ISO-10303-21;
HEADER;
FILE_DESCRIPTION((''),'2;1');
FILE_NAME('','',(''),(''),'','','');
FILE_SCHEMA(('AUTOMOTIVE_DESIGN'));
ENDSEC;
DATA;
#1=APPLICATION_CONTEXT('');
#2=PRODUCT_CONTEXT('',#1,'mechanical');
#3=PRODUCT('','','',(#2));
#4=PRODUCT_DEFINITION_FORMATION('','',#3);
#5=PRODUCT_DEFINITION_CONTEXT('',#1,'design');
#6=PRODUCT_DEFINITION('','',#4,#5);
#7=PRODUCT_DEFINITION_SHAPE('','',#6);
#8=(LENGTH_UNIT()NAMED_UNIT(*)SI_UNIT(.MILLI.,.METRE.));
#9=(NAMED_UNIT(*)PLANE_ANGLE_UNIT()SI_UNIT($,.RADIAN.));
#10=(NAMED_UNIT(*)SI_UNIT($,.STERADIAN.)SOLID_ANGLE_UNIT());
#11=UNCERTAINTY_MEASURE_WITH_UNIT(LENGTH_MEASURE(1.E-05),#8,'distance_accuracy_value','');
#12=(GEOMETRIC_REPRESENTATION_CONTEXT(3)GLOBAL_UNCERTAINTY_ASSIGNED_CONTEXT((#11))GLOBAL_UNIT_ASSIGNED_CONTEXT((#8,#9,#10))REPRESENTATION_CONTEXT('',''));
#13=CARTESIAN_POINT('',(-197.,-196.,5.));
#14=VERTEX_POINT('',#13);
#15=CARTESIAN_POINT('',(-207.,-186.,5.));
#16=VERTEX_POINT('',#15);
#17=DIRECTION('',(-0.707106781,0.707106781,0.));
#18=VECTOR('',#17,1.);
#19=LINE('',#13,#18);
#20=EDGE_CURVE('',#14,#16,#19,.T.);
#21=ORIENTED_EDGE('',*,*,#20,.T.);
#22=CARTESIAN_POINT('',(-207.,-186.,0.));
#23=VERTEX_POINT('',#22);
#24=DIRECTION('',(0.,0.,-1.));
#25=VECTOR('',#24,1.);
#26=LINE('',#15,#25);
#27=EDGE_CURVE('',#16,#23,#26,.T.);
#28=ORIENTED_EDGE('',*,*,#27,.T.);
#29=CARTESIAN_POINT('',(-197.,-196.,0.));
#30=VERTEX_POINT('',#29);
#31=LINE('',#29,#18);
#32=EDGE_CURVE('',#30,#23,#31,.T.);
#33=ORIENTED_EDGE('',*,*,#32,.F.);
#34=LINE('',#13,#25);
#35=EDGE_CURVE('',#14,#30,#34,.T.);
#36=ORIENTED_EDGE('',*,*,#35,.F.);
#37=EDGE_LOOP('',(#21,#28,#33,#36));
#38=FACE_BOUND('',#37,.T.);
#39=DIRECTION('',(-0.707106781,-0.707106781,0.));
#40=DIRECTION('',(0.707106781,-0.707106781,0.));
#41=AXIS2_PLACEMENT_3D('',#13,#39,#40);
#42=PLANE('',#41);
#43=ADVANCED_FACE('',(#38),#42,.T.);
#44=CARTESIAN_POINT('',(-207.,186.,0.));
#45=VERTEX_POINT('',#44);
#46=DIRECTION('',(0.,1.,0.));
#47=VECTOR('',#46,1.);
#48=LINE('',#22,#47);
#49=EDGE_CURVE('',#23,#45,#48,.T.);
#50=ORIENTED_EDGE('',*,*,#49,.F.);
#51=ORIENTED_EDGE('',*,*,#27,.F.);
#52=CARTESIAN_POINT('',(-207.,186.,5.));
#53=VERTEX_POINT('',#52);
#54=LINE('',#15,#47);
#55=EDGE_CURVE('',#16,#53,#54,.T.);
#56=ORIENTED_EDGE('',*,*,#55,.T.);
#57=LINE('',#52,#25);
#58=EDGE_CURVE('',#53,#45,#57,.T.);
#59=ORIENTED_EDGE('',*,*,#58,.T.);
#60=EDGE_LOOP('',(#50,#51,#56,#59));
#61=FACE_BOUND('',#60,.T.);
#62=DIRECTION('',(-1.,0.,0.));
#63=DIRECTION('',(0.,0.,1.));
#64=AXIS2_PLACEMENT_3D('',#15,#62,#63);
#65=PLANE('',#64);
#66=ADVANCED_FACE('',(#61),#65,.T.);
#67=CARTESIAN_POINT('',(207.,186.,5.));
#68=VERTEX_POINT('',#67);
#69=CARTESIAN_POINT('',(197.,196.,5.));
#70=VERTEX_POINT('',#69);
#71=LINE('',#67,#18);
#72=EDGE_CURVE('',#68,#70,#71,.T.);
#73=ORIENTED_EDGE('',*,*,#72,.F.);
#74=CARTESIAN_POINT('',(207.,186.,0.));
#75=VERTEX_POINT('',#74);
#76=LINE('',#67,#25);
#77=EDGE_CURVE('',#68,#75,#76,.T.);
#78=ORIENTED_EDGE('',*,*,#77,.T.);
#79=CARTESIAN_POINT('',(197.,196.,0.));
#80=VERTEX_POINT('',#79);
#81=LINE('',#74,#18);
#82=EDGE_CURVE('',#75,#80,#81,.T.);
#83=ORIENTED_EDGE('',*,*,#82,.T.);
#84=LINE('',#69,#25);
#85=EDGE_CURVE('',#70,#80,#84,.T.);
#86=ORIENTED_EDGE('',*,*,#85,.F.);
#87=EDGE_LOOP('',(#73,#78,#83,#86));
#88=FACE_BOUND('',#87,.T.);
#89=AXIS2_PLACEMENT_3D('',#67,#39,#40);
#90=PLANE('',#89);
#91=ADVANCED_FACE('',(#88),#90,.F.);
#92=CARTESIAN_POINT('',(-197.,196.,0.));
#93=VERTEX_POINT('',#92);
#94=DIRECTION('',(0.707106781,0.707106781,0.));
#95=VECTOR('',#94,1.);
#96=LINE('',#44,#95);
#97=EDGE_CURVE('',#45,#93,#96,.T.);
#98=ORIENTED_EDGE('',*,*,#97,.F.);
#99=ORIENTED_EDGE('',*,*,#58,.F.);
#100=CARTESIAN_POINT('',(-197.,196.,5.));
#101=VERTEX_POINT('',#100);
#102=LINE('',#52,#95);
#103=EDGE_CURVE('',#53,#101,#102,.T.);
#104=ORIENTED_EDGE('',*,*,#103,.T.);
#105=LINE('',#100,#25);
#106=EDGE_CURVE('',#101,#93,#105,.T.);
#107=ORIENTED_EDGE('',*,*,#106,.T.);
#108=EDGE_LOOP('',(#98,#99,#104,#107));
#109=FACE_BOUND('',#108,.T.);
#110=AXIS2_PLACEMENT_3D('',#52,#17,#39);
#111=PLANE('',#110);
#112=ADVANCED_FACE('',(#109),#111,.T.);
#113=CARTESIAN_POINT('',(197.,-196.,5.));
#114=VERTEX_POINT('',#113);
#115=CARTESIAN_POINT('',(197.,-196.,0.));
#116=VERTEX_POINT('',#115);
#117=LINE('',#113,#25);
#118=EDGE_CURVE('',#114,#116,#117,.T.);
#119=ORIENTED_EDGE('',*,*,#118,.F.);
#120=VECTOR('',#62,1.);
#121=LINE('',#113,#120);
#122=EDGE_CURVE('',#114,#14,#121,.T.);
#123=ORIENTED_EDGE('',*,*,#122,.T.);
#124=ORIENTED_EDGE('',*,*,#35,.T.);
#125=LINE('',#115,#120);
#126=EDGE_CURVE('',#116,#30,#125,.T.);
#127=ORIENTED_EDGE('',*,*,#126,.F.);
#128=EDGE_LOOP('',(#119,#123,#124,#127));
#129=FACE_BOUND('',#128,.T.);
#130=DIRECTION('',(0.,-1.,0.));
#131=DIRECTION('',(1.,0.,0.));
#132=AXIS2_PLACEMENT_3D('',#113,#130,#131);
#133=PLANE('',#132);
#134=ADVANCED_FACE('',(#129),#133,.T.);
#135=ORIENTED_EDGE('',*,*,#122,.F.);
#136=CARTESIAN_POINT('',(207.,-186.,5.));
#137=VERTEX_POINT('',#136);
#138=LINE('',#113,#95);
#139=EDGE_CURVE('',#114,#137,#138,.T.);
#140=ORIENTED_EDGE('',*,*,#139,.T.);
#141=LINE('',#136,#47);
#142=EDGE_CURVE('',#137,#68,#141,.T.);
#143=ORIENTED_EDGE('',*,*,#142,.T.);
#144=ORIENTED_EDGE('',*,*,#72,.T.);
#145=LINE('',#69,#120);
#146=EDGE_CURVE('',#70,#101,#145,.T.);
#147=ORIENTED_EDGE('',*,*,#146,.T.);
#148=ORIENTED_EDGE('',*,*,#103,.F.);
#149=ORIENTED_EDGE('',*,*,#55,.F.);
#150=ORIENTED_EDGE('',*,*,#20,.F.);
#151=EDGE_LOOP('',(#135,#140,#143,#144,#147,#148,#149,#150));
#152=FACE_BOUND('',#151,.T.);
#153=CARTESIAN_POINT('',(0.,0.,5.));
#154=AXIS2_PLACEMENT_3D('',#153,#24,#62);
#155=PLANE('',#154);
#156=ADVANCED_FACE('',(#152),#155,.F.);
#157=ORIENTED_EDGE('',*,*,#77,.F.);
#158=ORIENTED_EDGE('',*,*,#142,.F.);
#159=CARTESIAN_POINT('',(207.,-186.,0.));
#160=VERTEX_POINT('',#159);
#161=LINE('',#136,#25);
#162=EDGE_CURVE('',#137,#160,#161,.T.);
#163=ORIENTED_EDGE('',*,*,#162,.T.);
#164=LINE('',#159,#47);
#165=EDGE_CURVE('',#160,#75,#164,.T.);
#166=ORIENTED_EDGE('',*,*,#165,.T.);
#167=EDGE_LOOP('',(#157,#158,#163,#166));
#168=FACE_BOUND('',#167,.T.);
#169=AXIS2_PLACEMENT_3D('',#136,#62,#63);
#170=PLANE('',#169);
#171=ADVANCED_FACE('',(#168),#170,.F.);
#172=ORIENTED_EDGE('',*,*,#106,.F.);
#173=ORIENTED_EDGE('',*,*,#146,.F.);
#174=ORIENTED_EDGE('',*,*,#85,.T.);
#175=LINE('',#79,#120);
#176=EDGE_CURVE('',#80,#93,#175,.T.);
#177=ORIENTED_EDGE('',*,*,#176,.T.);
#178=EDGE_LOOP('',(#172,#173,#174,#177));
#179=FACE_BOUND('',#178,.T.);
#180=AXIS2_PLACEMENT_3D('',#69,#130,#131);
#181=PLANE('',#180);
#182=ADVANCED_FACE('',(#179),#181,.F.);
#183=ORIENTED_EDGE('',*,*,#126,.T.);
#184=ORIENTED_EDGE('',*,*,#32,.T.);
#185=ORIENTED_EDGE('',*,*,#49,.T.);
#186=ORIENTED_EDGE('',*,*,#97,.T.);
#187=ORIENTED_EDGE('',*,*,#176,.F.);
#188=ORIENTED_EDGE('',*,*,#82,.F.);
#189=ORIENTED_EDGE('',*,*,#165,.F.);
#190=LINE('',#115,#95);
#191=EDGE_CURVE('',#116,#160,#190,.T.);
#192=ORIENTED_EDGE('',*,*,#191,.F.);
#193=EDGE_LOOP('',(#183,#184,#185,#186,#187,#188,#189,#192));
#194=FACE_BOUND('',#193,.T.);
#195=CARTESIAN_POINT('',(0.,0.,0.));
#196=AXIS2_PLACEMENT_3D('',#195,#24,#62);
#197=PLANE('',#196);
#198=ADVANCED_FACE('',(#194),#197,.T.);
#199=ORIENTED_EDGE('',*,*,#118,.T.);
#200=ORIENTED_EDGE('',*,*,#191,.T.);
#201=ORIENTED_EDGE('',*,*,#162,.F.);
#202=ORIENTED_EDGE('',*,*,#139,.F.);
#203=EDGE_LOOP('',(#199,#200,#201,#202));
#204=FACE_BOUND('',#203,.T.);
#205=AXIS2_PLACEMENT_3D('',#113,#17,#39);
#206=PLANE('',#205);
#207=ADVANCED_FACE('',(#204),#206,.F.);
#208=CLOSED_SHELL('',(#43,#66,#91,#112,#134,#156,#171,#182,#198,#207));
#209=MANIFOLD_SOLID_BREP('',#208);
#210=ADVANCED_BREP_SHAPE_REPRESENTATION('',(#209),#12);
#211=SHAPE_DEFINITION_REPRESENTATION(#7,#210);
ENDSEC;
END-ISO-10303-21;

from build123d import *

# Parameters (mm, degrees)
ESTRUSIONE_ESTRUSIONE1_DEPTH = 5


with BuildPart() as part:
    # Schizzo1 → Estrusione-Estrusione1 (new body)
    with BuildSketch(Plane.XY):
        Polygon((-207, 186), (-197, 196), (197, 196), (207, 186), (207, -186), (197, -196), (-197, -196), (-207, -186), align=None)
    extrude(amount=ESTRUSIONE_ESTRUSIONE1_DEPTH)


solid = part.part
